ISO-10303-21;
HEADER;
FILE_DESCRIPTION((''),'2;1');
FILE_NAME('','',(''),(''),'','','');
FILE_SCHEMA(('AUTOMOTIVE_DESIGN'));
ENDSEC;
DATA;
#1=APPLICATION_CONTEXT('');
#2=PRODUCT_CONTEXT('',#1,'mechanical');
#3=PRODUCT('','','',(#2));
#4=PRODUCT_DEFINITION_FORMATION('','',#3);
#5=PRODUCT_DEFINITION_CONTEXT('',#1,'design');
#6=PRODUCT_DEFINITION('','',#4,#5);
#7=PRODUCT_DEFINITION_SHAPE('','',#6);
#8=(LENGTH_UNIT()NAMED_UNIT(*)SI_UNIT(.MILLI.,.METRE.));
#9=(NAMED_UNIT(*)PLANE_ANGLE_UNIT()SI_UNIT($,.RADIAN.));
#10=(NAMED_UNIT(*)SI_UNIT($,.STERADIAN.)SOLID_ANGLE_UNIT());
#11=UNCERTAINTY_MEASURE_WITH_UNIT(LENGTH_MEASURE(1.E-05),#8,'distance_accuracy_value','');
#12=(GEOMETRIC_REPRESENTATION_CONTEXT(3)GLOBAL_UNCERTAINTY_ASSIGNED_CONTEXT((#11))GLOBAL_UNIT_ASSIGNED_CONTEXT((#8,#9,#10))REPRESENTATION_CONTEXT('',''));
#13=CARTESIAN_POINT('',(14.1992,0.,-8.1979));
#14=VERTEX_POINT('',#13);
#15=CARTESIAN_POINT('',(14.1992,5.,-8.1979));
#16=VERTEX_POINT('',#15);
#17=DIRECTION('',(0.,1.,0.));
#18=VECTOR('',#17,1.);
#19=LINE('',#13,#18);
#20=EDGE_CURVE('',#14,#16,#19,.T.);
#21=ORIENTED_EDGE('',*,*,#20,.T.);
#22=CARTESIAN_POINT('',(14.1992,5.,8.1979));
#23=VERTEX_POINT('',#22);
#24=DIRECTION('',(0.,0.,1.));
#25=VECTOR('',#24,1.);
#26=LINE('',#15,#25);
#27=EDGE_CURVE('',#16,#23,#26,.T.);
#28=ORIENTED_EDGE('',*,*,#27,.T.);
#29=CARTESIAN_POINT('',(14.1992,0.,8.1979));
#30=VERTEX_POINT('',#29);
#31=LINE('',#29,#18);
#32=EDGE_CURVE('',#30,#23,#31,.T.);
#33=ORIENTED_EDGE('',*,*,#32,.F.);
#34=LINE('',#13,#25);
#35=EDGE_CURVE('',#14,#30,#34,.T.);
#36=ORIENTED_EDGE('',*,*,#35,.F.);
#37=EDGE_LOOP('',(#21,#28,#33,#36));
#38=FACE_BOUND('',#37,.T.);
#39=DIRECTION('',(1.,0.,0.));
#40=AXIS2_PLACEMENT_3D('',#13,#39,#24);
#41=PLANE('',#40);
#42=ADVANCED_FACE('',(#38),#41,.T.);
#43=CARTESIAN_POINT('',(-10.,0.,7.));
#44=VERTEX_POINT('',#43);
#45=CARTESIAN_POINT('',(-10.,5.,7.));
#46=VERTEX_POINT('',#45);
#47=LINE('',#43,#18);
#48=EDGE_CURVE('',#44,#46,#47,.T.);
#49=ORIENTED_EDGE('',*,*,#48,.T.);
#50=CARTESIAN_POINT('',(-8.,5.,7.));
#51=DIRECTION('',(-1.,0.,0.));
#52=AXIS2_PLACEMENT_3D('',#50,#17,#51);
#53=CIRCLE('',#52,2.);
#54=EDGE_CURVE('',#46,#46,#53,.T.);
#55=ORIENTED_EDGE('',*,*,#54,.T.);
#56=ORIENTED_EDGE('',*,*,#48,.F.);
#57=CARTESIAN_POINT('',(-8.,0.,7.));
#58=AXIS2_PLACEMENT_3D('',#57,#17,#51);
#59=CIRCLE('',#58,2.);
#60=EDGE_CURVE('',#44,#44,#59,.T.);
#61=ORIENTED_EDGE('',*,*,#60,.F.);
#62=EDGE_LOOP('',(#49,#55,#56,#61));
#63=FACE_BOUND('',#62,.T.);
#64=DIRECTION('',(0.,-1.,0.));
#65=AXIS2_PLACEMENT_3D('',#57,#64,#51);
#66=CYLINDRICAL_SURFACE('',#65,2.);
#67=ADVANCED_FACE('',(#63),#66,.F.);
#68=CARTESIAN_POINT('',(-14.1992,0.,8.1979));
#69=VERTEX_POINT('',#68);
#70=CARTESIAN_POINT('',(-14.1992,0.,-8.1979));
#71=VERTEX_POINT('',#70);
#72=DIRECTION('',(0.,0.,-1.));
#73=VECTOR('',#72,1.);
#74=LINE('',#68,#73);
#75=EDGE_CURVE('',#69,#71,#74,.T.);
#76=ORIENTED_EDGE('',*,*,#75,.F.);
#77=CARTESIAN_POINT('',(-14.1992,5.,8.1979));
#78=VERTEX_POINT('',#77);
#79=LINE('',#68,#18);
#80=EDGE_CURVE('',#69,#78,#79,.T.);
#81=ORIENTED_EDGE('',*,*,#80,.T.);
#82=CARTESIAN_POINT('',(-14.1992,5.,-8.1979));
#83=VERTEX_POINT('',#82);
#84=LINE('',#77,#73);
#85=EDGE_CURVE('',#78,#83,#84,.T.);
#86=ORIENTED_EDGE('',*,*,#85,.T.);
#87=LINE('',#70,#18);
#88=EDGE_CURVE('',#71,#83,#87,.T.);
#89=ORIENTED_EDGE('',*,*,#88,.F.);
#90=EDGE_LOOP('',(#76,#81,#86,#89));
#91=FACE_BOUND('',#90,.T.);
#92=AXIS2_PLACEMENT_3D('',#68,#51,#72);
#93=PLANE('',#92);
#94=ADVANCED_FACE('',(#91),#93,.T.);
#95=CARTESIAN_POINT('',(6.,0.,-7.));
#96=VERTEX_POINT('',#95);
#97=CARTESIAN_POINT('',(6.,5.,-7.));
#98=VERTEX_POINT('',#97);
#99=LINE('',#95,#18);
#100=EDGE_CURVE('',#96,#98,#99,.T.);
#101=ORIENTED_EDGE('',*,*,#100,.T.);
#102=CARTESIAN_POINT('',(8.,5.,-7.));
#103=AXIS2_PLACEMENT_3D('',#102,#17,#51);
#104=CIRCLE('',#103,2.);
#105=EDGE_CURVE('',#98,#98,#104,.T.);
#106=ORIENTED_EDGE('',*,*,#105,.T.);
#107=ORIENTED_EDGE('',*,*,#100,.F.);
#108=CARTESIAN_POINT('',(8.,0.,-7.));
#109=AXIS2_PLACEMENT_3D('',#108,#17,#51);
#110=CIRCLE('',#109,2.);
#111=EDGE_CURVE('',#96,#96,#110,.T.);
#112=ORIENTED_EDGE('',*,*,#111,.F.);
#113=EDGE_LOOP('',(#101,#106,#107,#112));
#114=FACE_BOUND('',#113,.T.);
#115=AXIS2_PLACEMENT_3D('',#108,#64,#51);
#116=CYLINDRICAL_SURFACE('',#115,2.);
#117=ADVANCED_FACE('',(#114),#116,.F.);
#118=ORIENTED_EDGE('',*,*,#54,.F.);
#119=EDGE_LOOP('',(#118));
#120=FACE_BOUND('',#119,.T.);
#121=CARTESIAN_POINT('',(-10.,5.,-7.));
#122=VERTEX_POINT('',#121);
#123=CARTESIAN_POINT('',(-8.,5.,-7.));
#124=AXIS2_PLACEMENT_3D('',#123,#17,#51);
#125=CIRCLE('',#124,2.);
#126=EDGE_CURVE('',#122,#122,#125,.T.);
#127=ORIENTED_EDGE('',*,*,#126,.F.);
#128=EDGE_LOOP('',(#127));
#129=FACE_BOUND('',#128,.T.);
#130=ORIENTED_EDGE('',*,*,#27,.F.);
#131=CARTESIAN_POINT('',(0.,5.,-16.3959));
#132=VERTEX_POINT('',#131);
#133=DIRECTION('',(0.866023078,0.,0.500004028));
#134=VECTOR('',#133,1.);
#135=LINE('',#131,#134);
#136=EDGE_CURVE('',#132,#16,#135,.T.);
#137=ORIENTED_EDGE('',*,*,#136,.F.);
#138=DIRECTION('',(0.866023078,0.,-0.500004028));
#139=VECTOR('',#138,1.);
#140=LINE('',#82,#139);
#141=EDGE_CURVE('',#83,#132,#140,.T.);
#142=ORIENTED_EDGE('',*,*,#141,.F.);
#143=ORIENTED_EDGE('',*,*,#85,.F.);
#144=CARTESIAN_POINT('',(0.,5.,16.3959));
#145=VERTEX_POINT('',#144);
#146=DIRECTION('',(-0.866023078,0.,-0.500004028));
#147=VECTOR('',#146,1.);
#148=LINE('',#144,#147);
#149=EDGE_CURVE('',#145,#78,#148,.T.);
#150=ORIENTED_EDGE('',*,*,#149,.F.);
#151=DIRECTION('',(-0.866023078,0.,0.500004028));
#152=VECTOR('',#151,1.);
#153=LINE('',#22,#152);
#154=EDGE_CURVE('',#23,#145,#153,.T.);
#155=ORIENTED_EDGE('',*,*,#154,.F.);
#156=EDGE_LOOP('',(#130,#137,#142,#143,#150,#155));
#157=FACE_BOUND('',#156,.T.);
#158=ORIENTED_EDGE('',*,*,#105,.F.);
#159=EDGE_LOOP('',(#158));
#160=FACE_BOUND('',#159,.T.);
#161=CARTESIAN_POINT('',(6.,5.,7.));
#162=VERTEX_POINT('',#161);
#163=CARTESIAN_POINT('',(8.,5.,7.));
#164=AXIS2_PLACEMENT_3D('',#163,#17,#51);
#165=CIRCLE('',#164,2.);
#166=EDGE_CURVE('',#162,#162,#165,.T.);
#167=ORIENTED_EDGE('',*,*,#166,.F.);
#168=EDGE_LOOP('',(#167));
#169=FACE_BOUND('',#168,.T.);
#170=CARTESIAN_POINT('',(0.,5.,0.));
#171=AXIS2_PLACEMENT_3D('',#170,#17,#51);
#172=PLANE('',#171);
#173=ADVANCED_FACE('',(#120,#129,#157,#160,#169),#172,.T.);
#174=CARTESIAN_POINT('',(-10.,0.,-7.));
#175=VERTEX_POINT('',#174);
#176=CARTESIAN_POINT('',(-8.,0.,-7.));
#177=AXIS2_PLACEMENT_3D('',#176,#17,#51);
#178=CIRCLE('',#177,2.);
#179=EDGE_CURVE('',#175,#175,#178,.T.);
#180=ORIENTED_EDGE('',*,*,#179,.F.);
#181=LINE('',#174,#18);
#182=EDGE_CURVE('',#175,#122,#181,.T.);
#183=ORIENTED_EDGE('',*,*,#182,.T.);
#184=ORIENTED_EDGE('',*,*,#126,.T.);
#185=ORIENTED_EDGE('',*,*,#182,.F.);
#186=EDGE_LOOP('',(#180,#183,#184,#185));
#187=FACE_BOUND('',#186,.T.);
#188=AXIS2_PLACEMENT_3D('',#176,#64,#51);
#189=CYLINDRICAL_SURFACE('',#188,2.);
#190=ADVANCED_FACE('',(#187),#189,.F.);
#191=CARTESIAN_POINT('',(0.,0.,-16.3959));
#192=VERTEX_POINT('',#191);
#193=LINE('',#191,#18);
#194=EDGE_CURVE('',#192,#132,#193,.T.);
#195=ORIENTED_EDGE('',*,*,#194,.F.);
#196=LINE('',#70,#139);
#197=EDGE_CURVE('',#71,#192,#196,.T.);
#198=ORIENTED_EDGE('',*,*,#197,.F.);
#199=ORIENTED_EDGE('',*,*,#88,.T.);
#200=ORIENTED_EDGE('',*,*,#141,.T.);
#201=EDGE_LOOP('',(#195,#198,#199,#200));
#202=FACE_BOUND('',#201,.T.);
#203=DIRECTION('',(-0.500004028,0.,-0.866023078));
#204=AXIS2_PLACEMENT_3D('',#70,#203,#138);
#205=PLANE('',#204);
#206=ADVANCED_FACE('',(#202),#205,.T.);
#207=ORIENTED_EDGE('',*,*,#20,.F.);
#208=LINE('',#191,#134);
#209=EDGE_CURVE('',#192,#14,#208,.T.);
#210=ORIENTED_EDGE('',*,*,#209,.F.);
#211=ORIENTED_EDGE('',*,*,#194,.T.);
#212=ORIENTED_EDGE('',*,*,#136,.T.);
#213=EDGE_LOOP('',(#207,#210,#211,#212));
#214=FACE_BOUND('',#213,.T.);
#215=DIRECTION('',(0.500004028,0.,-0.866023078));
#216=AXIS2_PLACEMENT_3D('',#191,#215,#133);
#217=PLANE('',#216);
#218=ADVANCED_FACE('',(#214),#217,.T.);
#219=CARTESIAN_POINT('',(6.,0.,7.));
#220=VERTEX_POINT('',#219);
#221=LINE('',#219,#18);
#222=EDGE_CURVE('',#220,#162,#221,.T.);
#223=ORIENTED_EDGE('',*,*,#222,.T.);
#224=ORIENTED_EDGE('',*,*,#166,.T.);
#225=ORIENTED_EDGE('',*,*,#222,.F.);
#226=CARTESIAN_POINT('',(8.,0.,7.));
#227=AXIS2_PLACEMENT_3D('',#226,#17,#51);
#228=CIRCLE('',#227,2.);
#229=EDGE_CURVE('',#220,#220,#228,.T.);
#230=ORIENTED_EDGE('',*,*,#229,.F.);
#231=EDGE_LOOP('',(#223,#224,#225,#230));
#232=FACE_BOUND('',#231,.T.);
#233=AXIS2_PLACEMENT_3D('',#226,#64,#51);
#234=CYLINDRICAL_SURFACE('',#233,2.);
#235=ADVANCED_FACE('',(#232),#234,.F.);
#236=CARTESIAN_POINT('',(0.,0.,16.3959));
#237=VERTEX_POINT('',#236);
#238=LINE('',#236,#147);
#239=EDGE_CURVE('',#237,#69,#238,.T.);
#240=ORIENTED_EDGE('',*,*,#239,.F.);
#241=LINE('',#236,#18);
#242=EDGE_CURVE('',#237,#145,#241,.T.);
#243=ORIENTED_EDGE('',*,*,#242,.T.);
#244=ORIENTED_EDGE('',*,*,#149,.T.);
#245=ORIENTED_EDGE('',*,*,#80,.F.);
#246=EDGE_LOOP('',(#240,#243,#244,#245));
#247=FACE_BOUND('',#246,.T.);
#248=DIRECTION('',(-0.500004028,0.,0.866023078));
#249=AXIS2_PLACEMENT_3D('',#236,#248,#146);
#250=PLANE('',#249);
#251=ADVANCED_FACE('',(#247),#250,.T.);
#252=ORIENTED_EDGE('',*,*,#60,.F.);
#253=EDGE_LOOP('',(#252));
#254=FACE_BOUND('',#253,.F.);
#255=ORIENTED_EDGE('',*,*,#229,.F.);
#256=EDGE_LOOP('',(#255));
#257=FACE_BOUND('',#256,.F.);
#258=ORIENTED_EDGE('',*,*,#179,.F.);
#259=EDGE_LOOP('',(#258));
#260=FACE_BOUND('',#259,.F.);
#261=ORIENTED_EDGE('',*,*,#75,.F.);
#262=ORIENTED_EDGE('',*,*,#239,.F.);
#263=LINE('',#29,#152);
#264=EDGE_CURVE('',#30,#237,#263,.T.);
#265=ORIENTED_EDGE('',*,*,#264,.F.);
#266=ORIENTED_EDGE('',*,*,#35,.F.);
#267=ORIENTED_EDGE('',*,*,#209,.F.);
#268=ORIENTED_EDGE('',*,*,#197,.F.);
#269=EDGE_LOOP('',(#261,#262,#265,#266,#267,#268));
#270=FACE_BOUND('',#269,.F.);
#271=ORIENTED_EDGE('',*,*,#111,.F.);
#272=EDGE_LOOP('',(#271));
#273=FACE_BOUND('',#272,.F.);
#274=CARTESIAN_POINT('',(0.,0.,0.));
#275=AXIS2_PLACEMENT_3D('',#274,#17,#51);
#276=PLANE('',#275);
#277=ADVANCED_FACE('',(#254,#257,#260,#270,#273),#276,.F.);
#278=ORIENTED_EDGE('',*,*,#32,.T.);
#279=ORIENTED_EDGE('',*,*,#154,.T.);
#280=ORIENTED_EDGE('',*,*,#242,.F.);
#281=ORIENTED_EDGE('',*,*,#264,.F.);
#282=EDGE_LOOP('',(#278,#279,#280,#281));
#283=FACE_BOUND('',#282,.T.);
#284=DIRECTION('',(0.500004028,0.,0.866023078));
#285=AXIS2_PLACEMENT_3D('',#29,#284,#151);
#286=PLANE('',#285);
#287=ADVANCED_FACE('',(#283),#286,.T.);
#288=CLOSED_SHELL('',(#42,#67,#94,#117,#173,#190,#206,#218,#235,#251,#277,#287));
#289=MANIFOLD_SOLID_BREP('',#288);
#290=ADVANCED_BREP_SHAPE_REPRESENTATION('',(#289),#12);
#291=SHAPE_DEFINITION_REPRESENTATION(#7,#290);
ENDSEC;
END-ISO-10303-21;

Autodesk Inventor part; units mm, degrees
ref_plane "YZ Plane" through (0, 0, 0) normal (1, 0, 0) x (0, 1, 0)
ref_plane "XZ Plane" through (0, 0, 0) normal (0, 1, 0) x (-1, 0, 0)
ref_plane "XY Plane" through (0, 0, 0) normal (0, 0, 1) x (1, 0, 0)
sketch "Sketch1" plane through (0, 0, 0) normal (0, 1, 0) x (-1, 0, 0)
  circle A0 centre (8, -7) radius 2
  line L0 (8, -7) -> (8, 7) construction
  circle A1 centre (8, 7) radius 2
  line L1 (0, 0) -> (0, -15) construction
  circle A2 centre (-8, -7) radius 2
  circle A3 centre (-8, 7) radius 2
  line L2 (0, 16.3959) -> (14.1992, 8.1979)
  line L3 (14.1992, 8.1979) -> (14.1992, -8.1979)
  line L4 (14.1992, -8.1979) -> (0, -16.3959)
  line L5 (0, -16.3959) -> (-14.1992, -8.1979)
  line L6 (-14.1992, -8.1979) -> (-14.1992, 8.1979)
  line L7 (-14.1992, 8.1979) -> (0, 16.3959)
  dimension "d0" = 7
  dimension "d2" = 4
  dimension "d3" = 8
  dimension "d4" = 14
  dimension "d5" = 4
  dimension "d7" = 15
extrude "Extrusion1" add sketch "Sketch1" along normal blind 5
properties part number "WH-SuspensionBounding-FirstApproach"
